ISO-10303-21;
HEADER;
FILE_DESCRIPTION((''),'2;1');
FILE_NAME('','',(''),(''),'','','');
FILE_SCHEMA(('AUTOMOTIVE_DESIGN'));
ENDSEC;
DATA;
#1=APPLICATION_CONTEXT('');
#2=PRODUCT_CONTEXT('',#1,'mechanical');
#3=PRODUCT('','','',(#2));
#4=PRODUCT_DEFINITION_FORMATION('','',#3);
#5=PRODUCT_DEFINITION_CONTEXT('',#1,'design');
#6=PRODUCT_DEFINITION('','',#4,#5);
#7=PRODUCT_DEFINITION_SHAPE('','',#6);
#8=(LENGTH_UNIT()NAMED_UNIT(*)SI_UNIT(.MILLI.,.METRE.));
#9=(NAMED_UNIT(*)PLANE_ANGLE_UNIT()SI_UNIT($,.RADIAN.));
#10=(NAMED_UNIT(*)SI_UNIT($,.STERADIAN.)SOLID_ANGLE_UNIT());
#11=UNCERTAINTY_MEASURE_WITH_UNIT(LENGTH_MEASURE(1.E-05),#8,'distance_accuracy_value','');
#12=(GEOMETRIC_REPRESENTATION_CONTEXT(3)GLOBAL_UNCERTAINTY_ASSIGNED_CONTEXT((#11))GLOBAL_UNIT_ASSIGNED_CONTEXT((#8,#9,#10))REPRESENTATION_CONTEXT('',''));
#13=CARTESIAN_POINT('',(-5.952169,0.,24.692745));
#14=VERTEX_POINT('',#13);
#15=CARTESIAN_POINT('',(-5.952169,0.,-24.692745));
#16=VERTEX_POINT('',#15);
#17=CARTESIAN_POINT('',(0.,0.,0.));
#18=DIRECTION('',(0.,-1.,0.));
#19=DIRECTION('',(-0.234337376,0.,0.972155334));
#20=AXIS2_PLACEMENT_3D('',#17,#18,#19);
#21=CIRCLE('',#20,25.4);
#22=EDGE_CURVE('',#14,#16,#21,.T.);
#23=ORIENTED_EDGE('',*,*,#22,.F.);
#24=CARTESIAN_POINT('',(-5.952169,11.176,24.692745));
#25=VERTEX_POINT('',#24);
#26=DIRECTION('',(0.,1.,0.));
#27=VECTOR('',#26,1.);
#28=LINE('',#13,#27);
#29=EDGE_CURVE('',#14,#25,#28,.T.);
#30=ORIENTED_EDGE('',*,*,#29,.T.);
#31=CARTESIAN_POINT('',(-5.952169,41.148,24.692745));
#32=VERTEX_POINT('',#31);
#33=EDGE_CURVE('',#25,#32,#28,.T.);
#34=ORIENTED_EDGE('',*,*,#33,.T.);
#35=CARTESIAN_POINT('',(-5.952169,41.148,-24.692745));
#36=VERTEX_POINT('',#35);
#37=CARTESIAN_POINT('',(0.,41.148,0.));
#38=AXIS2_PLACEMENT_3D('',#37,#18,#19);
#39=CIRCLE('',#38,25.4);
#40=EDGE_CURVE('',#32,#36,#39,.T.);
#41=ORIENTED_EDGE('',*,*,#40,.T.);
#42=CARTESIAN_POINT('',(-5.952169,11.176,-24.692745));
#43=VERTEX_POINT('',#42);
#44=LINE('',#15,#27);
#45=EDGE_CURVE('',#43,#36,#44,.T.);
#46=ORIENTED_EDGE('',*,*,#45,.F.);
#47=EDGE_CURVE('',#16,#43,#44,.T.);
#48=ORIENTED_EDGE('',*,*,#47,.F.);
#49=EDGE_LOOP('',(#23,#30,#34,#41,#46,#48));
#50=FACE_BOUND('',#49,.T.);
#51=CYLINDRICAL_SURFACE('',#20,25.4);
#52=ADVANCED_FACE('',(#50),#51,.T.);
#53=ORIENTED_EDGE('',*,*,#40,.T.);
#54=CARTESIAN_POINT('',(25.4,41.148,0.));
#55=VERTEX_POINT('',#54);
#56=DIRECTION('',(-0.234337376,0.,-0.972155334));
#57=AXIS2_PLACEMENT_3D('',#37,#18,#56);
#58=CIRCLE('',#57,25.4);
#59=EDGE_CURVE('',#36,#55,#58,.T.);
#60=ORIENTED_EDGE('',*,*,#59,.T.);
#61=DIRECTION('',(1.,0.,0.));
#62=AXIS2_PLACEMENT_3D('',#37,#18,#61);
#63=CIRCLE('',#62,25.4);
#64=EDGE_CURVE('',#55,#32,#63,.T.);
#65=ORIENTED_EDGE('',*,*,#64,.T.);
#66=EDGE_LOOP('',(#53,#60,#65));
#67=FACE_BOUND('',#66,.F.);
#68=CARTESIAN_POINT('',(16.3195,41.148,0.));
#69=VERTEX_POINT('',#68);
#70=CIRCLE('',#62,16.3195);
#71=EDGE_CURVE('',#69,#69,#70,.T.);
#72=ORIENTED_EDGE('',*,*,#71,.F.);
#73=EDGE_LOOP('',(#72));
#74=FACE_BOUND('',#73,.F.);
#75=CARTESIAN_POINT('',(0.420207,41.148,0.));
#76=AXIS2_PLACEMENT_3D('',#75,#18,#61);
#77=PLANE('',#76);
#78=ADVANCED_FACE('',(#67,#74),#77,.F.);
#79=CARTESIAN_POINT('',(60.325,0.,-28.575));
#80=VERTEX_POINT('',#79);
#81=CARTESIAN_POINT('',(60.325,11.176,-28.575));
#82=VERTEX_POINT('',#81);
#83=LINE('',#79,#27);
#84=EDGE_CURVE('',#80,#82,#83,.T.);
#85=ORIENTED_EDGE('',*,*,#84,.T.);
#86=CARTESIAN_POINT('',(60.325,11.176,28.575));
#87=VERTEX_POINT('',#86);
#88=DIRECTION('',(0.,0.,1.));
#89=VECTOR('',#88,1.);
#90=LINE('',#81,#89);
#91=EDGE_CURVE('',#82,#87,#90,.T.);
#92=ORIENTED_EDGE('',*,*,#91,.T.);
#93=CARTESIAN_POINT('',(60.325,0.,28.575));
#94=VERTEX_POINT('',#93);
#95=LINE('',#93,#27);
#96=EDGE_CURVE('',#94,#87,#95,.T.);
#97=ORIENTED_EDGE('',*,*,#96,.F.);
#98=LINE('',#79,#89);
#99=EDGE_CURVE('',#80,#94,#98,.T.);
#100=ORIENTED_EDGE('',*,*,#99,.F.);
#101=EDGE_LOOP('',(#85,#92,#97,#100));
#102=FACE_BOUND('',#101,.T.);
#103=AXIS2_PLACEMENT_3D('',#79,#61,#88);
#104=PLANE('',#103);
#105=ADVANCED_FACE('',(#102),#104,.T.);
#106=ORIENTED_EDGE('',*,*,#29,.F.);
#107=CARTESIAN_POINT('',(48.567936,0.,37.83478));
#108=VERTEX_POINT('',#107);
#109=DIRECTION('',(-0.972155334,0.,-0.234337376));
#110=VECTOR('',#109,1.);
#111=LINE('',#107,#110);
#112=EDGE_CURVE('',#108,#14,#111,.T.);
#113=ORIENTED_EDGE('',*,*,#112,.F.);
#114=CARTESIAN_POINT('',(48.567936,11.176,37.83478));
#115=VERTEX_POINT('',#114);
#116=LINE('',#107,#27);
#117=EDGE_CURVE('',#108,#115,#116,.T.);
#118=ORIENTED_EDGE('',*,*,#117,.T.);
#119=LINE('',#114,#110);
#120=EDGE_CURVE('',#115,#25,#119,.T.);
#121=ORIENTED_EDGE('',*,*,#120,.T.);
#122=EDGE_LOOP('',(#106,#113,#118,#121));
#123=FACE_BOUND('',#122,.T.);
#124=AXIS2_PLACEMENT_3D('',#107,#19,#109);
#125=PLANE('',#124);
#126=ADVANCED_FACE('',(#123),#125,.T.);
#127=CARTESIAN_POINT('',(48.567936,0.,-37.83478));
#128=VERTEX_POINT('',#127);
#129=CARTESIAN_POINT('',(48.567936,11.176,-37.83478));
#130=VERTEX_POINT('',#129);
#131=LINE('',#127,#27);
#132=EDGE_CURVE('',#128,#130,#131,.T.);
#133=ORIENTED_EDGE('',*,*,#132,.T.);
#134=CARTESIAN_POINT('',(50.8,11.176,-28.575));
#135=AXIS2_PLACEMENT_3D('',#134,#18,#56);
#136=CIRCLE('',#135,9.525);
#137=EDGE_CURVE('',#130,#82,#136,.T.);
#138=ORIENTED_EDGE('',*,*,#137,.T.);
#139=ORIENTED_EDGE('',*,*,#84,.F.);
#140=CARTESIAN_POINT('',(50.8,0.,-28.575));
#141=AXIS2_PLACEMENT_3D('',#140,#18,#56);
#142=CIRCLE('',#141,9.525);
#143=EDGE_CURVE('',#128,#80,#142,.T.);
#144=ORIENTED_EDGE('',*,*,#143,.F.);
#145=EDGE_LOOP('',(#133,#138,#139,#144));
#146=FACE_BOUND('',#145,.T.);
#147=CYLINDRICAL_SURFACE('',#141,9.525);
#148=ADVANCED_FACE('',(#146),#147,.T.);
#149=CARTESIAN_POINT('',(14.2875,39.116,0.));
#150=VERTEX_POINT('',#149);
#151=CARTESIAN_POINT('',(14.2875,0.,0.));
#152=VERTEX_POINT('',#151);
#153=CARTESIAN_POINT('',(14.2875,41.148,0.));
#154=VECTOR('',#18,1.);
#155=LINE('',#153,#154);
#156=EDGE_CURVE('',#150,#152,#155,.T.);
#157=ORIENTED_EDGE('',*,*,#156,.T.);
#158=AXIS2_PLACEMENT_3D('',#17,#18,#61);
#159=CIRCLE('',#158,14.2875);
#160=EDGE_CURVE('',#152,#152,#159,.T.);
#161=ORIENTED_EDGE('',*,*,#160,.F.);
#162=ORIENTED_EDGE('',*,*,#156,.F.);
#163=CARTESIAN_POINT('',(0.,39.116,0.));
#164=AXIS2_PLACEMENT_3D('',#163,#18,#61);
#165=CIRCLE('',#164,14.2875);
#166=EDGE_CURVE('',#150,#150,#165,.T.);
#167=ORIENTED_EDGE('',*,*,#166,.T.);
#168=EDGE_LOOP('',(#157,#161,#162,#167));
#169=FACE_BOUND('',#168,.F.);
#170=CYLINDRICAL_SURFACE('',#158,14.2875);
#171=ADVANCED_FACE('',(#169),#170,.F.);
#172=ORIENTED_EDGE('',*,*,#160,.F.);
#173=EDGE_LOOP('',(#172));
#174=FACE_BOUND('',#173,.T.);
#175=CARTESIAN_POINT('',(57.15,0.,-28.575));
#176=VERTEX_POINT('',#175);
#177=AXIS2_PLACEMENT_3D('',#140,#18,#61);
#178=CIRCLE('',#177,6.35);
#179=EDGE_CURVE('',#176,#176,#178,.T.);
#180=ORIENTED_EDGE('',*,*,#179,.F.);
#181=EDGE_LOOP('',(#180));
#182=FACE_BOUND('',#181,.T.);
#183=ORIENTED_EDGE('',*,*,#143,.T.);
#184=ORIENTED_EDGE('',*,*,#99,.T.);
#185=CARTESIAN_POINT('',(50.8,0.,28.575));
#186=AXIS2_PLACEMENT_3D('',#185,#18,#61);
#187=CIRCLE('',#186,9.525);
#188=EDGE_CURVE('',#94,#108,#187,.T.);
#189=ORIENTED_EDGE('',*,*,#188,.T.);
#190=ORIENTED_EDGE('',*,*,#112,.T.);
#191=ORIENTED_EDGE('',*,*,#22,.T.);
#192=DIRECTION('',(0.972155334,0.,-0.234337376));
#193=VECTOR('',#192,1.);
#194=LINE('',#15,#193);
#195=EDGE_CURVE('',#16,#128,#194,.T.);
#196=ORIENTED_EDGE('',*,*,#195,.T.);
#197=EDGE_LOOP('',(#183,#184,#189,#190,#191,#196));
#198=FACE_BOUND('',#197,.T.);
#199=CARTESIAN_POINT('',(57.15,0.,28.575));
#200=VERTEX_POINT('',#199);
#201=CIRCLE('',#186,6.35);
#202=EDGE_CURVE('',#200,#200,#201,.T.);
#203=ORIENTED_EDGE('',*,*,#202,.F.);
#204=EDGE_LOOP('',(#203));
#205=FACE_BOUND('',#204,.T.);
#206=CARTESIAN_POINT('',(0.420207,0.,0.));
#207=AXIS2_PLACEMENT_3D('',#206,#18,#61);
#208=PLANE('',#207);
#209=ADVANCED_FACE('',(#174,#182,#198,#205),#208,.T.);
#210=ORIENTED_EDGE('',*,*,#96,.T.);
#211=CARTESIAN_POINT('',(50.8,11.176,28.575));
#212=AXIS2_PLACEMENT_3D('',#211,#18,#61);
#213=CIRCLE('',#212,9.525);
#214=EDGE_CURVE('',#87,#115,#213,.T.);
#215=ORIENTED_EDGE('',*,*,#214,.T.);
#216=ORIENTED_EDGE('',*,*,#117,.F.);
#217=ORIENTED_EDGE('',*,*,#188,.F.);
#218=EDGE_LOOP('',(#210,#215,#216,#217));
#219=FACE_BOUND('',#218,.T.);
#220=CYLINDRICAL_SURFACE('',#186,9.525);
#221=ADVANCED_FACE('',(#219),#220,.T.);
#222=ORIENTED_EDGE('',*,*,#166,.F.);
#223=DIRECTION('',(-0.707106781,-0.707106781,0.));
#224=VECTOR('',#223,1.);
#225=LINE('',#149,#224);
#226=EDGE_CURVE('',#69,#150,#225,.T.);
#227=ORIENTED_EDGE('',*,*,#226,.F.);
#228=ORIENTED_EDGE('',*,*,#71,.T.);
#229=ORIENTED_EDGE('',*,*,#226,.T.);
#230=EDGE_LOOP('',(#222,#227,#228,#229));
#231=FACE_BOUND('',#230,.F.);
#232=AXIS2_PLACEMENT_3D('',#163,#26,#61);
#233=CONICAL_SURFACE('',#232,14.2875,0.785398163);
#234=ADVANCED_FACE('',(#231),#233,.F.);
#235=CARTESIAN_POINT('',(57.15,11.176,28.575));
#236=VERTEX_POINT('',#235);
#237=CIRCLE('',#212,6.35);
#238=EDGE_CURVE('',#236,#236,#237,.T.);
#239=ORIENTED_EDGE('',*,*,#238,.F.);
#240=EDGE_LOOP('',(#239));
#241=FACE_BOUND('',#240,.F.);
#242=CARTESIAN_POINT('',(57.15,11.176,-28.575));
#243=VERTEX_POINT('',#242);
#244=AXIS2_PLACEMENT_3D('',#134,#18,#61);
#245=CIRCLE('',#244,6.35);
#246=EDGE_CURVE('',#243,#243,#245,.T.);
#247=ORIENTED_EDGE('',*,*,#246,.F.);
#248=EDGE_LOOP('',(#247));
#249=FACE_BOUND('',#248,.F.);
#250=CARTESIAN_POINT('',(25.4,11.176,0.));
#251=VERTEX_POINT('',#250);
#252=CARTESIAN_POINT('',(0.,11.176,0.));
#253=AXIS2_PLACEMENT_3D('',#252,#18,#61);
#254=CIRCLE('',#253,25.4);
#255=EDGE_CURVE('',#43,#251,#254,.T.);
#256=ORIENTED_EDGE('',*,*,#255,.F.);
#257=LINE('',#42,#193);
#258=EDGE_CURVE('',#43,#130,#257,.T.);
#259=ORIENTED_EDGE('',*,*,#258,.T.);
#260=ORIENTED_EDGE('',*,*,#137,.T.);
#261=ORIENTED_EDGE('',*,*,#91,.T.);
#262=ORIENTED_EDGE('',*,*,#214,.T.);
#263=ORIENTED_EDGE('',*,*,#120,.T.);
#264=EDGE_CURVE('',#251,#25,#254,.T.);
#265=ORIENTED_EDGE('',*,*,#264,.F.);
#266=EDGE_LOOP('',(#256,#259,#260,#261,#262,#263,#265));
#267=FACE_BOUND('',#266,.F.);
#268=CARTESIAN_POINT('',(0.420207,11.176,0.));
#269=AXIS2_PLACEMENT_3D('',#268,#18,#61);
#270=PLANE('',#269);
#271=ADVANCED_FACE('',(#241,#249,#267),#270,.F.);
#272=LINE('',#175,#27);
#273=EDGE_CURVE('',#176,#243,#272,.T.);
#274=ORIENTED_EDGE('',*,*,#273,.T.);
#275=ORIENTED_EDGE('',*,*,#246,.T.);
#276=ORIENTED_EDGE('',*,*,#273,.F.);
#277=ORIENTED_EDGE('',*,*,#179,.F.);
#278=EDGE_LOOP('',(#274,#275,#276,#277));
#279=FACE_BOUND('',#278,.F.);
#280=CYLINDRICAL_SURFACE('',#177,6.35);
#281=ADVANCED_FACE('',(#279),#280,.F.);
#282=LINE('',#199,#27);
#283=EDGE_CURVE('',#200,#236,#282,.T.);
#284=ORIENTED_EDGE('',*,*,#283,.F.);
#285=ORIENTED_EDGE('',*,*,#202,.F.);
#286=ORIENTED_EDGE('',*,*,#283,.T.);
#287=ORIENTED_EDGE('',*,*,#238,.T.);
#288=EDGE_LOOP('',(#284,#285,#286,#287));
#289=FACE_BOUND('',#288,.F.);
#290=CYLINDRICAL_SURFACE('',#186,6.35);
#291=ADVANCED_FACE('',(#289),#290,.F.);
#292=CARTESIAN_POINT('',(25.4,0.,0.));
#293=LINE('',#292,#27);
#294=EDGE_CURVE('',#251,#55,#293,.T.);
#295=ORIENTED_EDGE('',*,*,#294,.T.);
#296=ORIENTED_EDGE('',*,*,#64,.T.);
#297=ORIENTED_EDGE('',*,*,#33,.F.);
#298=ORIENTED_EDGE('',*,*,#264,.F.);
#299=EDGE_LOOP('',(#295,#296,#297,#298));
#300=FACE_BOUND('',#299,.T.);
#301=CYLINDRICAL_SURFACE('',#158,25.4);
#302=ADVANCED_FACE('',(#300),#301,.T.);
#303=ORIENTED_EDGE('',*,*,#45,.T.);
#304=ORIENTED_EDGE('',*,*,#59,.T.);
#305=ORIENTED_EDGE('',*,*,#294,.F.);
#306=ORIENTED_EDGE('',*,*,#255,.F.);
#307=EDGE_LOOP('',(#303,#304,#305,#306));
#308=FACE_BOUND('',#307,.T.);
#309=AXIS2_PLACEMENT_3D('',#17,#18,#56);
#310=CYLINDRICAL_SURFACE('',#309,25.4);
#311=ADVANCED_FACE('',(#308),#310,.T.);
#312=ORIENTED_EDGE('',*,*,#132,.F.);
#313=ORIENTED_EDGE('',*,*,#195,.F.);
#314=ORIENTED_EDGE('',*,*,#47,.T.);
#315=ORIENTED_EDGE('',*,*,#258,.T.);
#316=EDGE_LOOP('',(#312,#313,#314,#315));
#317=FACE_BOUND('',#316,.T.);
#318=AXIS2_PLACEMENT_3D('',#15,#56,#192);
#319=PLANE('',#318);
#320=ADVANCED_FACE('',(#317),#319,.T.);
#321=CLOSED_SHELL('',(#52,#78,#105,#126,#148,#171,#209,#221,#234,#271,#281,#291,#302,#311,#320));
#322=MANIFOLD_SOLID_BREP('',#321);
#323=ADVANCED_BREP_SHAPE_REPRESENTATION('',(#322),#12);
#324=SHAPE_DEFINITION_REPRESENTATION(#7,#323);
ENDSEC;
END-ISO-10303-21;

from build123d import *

# Parameters (mm, degrees)
F0_R        = 14.2875
F1_DEPTH    = 41.148
F0_R_2      = 6.35
F1_FACE_R   = 25.4
F1_FACE_R_2 = 14.2875
F2_DEPTH    = 11.176
F3_SIZE2    = 2.032
F3_SIZE     = 2.032


with BuildPart() as f1:
    # F0 (on Front) → F1 (new body)
    with BuildSketch(Plane.XZ):
        with BuildLine():
            ThreePointArc((-5.9521693415, -24.692745496), (15.7158343515, -19.9542614656), (25.4, 0))
            ThreePointArc((25.4, 0), (15.7158343515, 19.9542614656), (-5.9521693415, 24.692745496))
            ThreePointArc((-5.9521693415, 24.692745496), (-25.4, 0), (-5.9521693415, -24.692745496))
        make_face()
        Circle(F0_R, mode=Mode.SUBTRACT)
    extrude(amount=-F1_DEPTH)

    # F0 (on Front) + F1_face (on face) → F2 (join)
    with BuildSketch(Plane.XZ):
        with BuildLine():
            ThreePointArc((-5.9521693415, -24.692745496), (15.7158343515, -19.9542614656), (25.4, 0))
            ThreePointArc((25.4, 0), (15.7158343515, 19.9542614656), (-5.9521693415, 24.692745496))
            ThreePointArc((-5.9521693415, 24.692745496), (-25.4, 0), (-5.9521693415, -24.692745496))
        make_face()
        Circle(F0_R, mode=Mode.SUBTRACT)
        with BuildLine():
            ThreePointArc((-5.9521693415, 24.692745496), (15.7158343515, 19.9542614656), (25.4, 0))
            ThreePointArc((25.4, 0), (15.7158343515, -19.9542614656), (-5.9521693415, -24.692745496))
            Line((-5.9521693415, -24.692745496), (48.5679364969, -37.834779561))
            ThreePointArc((48.5679364969, -37.834779561), (56.6934378818, -36.0578480496), (60.325, -28.575))
            Line((60.325, -28.575), (60.325, 28.575))
            ThreePointArc((60.325, 28.575), (56.6934378818, 36.0578480496), (48.5679364969, 37.834779561))
            Line((48.5679364969, 37.834779561), (-5.9521693415, 24.692745496))
        make_face()
        with Locations((50.8, -28.575)):
            Circle(F0_R_2, mode=Mode.SUBTRACT)
        with Locations((50.8, 28.575)):
            Circle(F0_R_2, mode=Mode.SUBTRACT)
    with BuildSketch(Plane.XZ):
        Circle(F1_FACE_R)
        Circle(F1_FACE_R_2, mode=Mode.SUBTRACT)
    extrude(amount=-F2_DEPTH)

    # F3
    f3_edges = [f1.edges().sort_by_distance(p)[0] for p in [
        (-14.2875, 41.148, 0),
    ]]
    chamfer(f3_edges, length=F3_SIZE, length2=F3_SIZE2)


solid = f1.part
